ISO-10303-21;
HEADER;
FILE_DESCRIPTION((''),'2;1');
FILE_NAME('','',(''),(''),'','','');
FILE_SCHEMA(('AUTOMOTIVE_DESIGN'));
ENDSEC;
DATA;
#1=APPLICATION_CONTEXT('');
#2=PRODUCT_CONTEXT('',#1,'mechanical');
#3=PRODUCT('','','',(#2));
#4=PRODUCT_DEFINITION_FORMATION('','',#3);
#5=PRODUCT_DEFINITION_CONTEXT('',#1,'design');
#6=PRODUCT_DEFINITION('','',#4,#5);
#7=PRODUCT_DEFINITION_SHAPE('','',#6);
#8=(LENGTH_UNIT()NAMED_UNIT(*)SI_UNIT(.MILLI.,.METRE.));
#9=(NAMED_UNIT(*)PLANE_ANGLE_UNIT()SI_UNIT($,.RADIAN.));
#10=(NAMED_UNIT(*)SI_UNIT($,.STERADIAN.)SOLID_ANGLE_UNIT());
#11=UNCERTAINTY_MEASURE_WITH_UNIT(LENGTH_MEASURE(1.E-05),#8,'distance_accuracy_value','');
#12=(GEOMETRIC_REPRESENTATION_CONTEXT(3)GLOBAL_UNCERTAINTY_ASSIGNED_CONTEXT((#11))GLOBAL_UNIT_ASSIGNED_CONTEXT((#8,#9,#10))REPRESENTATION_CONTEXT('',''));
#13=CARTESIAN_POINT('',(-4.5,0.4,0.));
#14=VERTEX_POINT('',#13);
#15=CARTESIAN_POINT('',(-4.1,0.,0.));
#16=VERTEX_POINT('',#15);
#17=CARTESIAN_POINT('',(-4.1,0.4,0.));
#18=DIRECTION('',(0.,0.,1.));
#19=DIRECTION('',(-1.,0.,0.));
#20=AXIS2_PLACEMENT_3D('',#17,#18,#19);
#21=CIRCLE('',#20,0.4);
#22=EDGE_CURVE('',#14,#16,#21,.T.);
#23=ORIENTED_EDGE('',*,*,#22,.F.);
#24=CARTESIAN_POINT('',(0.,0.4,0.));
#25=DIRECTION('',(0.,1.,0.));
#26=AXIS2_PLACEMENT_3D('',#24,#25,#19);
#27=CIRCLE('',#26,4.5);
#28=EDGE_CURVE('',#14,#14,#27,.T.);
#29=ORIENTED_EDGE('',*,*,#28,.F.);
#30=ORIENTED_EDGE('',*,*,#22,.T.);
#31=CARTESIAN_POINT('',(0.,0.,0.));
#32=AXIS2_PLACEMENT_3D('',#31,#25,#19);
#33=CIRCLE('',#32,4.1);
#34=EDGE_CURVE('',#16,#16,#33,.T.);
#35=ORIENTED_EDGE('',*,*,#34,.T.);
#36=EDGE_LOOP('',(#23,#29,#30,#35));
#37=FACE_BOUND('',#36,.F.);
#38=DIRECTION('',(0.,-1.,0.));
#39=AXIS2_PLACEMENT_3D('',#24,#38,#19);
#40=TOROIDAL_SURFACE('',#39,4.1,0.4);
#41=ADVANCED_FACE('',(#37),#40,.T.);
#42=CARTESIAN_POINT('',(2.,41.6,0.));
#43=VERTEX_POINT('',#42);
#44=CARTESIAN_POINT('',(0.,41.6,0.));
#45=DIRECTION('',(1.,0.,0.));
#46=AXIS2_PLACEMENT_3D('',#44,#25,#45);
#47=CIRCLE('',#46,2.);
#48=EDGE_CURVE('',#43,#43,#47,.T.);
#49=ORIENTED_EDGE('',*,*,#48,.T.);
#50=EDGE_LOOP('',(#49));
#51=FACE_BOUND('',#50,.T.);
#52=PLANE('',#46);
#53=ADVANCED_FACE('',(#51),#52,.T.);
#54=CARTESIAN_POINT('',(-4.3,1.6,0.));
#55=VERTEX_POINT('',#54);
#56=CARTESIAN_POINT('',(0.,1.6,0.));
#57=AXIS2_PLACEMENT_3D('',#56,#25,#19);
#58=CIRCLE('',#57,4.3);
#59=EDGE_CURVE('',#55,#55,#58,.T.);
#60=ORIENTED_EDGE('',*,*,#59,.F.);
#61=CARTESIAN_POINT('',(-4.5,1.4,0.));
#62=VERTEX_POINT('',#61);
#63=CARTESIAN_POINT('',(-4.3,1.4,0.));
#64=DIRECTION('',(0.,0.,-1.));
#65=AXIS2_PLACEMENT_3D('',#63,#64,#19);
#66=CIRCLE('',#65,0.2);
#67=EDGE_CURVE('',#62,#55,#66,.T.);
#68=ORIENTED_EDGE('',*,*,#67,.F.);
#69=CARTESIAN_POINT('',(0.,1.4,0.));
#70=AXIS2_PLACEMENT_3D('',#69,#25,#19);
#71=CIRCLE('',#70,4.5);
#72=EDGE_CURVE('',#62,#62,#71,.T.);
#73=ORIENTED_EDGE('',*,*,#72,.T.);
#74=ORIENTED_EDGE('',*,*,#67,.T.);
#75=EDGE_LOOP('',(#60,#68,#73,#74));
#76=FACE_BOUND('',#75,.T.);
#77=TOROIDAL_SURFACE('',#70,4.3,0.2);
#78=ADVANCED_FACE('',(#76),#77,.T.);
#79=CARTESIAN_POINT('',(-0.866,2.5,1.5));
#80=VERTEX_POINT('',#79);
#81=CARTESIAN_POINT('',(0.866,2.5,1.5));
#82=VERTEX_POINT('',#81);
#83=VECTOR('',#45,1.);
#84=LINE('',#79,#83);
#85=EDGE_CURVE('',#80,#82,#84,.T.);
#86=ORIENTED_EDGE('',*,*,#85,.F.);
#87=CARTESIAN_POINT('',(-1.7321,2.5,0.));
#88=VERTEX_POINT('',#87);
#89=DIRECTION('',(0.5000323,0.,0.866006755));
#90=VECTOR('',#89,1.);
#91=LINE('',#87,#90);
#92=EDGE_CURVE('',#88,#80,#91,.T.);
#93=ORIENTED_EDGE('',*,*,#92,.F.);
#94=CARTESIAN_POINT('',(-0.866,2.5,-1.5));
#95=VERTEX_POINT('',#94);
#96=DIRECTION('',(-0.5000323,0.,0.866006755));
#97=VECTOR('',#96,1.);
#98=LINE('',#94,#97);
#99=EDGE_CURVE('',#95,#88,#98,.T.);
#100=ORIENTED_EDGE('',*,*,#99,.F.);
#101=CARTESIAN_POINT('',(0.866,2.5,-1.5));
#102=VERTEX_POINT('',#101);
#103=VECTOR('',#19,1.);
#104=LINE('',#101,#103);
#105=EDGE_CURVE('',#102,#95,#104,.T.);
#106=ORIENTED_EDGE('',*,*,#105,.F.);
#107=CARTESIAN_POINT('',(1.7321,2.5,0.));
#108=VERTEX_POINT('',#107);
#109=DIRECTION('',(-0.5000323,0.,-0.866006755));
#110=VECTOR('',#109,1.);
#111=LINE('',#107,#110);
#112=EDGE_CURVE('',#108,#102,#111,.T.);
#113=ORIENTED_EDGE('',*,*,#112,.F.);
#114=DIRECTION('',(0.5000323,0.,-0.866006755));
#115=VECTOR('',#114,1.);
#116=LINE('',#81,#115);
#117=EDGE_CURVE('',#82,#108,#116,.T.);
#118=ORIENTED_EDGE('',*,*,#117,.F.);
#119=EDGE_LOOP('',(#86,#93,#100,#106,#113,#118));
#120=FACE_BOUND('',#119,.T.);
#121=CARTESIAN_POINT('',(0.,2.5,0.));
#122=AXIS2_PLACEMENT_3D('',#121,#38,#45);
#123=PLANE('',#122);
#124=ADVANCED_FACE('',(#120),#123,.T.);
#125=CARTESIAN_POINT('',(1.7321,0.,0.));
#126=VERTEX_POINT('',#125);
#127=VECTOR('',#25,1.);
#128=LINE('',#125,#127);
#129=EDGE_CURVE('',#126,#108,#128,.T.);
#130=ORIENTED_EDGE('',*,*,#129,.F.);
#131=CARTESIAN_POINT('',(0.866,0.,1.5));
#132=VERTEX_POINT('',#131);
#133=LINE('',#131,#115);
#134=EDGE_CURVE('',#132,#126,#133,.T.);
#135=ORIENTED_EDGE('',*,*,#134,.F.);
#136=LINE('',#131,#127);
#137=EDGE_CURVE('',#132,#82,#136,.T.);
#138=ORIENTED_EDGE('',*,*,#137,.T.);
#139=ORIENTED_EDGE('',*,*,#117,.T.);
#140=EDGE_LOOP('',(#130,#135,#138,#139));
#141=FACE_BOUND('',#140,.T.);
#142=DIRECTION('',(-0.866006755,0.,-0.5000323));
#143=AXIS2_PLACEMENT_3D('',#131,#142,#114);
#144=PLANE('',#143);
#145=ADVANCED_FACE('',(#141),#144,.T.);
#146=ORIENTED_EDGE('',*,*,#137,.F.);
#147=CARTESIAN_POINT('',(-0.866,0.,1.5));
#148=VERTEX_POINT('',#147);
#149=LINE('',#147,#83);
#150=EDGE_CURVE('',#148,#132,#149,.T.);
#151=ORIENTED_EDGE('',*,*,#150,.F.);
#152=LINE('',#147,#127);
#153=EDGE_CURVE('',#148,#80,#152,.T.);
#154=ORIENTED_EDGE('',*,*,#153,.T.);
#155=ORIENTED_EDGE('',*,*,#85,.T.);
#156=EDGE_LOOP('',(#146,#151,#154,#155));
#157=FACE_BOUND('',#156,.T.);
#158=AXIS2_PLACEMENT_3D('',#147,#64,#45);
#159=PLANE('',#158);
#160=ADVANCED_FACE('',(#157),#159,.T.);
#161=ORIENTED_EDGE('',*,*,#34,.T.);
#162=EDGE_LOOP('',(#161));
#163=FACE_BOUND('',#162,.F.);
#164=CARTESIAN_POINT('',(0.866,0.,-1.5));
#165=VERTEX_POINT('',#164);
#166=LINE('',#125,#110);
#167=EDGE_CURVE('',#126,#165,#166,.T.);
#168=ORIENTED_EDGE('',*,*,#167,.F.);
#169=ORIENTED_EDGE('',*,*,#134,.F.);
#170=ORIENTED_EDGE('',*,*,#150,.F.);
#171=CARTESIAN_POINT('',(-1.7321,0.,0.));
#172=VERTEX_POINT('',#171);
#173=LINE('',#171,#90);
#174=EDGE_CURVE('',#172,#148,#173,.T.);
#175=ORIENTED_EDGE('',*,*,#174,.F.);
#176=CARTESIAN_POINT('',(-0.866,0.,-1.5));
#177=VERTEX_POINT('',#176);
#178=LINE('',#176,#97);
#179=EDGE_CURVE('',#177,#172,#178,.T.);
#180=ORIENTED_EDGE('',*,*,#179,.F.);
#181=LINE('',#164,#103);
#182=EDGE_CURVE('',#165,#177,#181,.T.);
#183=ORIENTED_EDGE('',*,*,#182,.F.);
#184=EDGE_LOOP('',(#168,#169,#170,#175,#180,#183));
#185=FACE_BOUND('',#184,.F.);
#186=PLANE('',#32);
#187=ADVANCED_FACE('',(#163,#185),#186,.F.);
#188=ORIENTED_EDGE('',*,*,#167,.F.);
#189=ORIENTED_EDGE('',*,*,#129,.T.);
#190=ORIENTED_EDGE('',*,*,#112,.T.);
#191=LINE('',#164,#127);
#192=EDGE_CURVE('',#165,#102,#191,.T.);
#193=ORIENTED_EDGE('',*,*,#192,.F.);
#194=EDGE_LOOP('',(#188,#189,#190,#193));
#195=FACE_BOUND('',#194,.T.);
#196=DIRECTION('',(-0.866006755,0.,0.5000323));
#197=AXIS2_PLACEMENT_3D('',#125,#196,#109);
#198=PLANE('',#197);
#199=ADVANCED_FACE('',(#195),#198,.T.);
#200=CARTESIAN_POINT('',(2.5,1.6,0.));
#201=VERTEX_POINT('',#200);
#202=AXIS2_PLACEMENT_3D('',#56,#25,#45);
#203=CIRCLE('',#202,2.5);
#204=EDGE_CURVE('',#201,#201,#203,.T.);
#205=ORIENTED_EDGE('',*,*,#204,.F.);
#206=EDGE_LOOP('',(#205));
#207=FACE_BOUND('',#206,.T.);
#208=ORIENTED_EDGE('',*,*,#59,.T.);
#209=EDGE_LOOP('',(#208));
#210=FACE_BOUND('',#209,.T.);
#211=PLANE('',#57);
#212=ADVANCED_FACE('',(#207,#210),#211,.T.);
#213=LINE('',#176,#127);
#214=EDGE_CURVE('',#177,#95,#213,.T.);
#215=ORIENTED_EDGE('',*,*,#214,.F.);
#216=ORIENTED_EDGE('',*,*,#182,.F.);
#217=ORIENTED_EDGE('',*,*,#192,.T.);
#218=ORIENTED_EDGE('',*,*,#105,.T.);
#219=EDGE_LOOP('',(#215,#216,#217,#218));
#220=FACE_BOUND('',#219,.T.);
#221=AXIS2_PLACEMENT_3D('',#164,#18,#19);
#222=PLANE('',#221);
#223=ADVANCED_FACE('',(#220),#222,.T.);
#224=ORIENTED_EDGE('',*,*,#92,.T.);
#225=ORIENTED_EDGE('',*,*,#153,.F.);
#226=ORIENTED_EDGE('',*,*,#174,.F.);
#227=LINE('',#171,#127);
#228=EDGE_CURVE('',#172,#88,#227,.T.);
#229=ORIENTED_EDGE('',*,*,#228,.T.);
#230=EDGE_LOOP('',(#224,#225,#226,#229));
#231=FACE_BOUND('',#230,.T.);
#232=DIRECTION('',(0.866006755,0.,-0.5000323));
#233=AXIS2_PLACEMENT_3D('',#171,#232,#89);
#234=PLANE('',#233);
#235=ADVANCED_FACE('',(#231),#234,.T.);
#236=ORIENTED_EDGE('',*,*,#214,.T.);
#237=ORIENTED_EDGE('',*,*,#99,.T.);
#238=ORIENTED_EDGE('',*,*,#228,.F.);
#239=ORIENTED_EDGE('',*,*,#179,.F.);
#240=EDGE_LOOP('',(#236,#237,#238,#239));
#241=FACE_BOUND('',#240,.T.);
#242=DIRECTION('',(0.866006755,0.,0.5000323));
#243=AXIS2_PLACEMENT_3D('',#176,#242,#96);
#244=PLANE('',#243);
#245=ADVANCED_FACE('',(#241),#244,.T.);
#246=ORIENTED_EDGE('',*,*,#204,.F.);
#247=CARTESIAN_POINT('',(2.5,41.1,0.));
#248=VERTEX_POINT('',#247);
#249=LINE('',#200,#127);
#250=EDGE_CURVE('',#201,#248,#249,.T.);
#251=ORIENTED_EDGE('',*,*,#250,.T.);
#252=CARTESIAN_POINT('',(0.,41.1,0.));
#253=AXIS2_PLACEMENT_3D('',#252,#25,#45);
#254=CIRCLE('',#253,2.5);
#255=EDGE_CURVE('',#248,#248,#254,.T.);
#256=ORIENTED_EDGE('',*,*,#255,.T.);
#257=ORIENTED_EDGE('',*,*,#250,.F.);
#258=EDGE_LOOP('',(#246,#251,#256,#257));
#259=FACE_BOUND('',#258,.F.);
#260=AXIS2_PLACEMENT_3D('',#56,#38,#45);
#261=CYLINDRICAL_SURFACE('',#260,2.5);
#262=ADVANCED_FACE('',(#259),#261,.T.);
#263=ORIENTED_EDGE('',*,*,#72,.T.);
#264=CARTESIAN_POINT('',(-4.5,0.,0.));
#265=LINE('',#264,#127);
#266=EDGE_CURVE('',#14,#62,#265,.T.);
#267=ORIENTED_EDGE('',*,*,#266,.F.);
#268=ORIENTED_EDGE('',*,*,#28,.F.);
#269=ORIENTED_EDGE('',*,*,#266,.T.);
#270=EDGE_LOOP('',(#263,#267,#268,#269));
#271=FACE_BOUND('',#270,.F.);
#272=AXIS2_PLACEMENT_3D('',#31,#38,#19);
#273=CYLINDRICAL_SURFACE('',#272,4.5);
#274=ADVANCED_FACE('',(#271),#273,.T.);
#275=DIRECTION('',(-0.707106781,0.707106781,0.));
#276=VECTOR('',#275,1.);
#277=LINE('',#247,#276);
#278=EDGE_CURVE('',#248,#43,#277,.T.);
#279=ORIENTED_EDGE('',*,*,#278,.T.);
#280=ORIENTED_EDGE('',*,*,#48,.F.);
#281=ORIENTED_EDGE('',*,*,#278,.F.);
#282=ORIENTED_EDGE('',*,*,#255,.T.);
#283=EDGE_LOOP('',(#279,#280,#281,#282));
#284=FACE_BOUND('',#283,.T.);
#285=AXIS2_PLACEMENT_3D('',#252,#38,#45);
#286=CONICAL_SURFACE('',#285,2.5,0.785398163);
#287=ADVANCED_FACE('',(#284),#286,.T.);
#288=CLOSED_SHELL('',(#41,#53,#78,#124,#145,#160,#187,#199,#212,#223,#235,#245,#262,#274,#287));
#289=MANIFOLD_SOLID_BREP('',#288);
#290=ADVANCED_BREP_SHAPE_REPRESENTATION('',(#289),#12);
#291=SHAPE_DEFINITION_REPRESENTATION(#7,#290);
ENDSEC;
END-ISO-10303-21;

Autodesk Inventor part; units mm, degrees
ref_plane "YZ Plane" through (0, 0, 0) normal (1, 0, 0) x (0, 1, 0)
ref_plane "XZ Plane" through (0, 0, 0) normal (0, 1, 0) x (-1, 0, 0)
ref_plane "XY Plane" through (0, 0, 0) normal (0, 0, 1) x (1, 0, 0)
sketch "Boceto1" plane through (0, 0, 0) normal (0, 1, 0) x (-1, 0, 0)
  circle A0 centre (0, 0) radius 4.5
  dimension "d0" = 9
extrude "Extrusión1" add sketch "Boceto1" along normal blind 1.6
sketch "Boceto2" plane through (0, 1.6, 0) normal (0, 1, 0) x (1, 0, 0)
  circle A0 centre (0, 0) radius 2.5
  dimension "d3" = 5
extrude "Extrusión2" add sketch "Boceto2" along normal blind 40
fillet "Empalme1" radius 0.4 1 edges at (4.5, 0, 0)
fillet "Empalme2" radius 0.2 1 edges at (4.5, 1.6, 0)
sketch "Boceto3" plane through (0, 0, 0) normal (0, -1, 0) x (1, 0, 0)
  line L0 (-1.7321, 0) -> (-0.866, 1.5)
  line L1 (-0.866, 1.5) -> (0.866, 1.5)
  line L2 (0.866, 1.5) -> (1.7321, 0)
  line L3 (1.7321, 0) -> (0.866, -1.5)
  line L4 (0.866, -1.5) -> (-0.866, -1.5)
  line L5 (-0.866, -1.5) -> (-1.7321, 0)
  point P0 (0, 0)
  point P1 (0, 0)
  dimension "d8" = 3
extrude "Extrusión3" cut sketch "Boceto3" against normal blind 2.5
chamfer "Chaflán1" distance 0.5 angle 45 1 edges at (-2.5, 41.6, 0)
thread "Rosca2" size "M5x0.8" class "6g" standard "ANSI Metric M Profile" length 12 offset 27
properties part number "Perno M5x8cabeza plana_" material "Hierro, gris"
